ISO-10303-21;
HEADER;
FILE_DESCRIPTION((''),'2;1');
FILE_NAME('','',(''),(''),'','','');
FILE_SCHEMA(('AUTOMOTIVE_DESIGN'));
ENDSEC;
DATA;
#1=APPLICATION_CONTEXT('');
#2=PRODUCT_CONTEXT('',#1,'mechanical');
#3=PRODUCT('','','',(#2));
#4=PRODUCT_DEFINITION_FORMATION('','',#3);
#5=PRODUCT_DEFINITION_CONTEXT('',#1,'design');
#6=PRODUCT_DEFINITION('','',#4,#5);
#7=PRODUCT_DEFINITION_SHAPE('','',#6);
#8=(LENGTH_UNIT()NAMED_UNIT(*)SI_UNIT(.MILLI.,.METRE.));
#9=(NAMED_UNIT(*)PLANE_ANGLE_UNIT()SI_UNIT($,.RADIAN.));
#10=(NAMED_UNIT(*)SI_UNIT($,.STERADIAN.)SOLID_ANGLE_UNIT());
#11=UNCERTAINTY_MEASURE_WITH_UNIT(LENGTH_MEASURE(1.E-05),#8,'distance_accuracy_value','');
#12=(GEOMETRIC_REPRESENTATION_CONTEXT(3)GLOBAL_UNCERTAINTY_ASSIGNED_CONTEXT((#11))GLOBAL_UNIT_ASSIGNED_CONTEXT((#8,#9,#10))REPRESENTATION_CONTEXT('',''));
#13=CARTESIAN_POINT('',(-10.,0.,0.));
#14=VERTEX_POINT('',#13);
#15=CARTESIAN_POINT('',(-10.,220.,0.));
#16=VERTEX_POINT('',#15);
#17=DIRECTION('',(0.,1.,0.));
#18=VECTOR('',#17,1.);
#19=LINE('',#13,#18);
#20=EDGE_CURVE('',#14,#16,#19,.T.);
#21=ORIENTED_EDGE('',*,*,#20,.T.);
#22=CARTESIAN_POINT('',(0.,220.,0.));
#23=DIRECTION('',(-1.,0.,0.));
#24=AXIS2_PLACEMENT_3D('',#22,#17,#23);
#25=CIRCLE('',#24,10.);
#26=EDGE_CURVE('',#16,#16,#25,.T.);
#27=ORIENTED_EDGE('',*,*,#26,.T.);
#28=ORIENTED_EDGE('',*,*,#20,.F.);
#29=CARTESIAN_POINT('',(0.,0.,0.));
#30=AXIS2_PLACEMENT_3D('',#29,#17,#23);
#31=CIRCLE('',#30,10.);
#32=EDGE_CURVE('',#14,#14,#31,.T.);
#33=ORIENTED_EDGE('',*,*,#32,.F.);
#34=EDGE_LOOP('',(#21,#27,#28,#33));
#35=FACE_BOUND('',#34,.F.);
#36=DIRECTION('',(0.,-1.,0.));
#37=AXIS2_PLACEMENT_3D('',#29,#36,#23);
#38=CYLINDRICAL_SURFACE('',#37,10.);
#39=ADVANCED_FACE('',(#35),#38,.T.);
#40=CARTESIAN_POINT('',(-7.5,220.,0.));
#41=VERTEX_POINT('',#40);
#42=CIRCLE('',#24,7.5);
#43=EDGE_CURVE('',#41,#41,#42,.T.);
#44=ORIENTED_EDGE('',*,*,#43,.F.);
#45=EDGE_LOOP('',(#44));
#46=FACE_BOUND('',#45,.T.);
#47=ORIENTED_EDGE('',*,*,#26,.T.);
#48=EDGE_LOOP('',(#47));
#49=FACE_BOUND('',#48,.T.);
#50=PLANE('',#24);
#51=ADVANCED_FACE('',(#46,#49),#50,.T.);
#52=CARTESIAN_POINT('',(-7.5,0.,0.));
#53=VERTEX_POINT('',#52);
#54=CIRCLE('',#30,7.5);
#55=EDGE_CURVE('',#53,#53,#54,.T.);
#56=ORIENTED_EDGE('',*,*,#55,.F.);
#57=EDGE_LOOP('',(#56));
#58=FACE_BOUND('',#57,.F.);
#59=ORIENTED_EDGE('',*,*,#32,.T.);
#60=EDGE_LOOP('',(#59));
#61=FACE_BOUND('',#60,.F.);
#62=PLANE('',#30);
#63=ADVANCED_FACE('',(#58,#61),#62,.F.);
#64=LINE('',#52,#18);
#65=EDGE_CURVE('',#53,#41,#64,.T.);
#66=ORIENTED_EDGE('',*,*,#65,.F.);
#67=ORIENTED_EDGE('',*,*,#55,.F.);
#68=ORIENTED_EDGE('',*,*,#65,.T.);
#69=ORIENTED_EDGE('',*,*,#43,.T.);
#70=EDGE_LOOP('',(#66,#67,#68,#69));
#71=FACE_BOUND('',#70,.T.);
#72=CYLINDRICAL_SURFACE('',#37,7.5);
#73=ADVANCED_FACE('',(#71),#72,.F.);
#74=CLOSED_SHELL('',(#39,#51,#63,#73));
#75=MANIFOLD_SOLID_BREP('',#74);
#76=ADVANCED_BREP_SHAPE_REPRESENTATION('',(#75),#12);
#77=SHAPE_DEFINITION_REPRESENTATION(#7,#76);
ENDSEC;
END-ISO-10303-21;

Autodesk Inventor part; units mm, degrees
ref_plane "YZ Plane" through (0, 0, 0) normal (1, 0, 0) x (0, 1, 0)
ref_plane "XZ Plane" through (0, 0, 0) normal (0, 1, 0) x (-1, 0, 0)
ref_plane "XY Plane" through (0, 0, 0) normal (0, 0, 1) x (1, 0, 0)
sketch "Sketch1" plane through (0, 0, 0) normal (0, 1, 0) x (-1, 0, 0)
  circle A0 centre (0, 0) radius 10
  circle A1 centre (0, 0) radius 7.5
  dimension "d0" = 20
  dimension "d1" = 2.5
extrude "Extrusion1" add sketch "Sketch1" along normal blind 220
properties part number "boom2"
